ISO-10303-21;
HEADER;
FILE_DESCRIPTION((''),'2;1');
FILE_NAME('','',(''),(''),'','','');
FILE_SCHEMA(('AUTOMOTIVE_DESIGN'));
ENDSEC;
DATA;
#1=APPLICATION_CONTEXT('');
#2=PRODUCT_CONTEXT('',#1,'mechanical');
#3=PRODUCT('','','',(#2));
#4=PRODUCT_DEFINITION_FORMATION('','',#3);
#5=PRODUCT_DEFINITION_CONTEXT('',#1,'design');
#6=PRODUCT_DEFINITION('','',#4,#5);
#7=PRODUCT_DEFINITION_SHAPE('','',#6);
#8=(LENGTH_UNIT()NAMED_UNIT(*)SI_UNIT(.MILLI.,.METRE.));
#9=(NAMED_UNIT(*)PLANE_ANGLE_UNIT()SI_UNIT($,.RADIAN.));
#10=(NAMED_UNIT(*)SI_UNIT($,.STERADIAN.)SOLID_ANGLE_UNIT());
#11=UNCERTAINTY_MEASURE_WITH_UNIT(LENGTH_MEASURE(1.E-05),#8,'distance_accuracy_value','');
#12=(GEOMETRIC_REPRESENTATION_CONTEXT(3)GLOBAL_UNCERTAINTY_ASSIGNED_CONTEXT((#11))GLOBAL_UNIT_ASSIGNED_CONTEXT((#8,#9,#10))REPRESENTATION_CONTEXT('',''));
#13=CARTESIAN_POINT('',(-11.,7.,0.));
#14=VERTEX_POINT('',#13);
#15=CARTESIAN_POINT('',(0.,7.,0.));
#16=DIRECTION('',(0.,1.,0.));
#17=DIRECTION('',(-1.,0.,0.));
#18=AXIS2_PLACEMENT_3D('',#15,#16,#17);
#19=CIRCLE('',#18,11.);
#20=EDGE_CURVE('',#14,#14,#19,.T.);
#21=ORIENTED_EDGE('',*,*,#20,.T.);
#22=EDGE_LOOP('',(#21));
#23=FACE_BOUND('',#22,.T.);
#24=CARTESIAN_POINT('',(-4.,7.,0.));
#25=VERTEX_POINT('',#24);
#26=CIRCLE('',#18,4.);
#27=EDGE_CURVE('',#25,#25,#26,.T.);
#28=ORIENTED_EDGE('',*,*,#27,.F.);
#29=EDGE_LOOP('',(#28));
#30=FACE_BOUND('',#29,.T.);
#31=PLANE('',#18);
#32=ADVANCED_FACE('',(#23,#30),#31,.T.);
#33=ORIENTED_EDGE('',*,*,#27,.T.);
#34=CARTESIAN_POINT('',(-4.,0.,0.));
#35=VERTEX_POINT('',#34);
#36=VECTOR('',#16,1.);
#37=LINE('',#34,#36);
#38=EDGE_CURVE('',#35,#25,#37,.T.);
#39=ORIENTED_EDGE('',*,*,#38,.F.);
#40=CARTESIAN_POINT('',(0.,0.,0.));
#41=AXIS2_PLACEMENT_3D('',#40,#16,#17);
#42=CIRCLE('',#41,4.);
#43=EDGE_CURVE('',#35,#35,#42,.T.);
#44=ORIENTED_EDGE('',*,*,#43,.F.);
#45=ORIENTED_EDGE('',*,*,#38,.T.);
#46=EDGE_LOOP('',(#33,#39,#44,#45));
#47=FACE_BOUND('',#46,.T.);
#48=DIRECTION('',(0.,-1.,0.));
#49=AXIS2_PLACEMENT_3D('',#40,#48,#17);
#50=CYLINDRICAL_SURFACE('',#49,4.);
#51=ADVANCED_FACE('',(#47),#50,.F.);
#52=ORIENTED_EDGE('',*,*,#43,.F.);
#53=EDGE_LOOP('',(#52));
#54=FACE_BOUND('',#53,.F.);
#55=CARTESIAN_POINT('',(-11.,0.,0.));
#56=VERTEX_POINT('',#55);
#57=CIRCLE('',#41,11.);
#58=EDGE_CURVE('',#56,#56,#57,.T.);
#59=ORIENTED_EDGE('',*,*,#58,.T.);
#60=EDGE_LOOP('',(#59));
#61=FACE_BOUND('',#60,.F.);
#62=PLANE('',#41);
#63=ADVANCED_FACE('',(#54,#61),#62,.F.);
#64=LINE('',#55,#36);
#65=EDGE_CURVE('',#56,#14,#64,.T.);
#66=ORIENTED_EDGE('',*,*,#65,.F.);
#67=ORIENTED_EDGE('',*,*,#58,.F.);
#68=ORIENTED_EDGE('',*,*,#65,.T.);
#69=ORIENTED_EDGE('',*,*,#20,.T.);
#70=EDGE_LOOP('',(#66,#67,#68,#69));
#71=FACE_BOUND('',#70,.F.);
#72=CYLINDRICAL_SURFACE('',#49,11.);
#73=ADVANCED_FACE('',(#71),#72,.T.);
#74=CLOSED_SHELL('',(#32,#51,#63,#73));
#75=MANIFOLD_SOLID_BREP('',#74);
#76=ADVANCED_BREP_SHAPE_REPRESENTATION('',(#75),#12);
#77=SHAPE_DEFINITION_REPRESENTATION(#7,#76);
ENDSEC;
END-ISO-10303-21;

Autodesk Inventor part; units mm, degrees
ref_plane "YZ Plane" through (0, 0, 0) normal (1, 0, 0) x (0, 1, 0)
ref_plane "XZ Plane" through (0, 0, 0) normal (0, 1, 0) x (-1, 0, 0)
ref_plane "XY Plane" through (0, 0, 0) normal (0, 0, 1) x (1, 0, 0)
sketch "Sketch1" plane through (0, 0, 0) normal (0, 1, 0) x (-1, 0, 0)
  circle A0 centre (0, 0) radius 4
  circle A1 centre (0, 0) radius 11
  dimension "d0" = 8
  dimension "d1" = 22
extrude "Extrusion1" add sketch "Sketch1" along normal blind 7
properties part number "608bearing" material "Stainless Steel"
